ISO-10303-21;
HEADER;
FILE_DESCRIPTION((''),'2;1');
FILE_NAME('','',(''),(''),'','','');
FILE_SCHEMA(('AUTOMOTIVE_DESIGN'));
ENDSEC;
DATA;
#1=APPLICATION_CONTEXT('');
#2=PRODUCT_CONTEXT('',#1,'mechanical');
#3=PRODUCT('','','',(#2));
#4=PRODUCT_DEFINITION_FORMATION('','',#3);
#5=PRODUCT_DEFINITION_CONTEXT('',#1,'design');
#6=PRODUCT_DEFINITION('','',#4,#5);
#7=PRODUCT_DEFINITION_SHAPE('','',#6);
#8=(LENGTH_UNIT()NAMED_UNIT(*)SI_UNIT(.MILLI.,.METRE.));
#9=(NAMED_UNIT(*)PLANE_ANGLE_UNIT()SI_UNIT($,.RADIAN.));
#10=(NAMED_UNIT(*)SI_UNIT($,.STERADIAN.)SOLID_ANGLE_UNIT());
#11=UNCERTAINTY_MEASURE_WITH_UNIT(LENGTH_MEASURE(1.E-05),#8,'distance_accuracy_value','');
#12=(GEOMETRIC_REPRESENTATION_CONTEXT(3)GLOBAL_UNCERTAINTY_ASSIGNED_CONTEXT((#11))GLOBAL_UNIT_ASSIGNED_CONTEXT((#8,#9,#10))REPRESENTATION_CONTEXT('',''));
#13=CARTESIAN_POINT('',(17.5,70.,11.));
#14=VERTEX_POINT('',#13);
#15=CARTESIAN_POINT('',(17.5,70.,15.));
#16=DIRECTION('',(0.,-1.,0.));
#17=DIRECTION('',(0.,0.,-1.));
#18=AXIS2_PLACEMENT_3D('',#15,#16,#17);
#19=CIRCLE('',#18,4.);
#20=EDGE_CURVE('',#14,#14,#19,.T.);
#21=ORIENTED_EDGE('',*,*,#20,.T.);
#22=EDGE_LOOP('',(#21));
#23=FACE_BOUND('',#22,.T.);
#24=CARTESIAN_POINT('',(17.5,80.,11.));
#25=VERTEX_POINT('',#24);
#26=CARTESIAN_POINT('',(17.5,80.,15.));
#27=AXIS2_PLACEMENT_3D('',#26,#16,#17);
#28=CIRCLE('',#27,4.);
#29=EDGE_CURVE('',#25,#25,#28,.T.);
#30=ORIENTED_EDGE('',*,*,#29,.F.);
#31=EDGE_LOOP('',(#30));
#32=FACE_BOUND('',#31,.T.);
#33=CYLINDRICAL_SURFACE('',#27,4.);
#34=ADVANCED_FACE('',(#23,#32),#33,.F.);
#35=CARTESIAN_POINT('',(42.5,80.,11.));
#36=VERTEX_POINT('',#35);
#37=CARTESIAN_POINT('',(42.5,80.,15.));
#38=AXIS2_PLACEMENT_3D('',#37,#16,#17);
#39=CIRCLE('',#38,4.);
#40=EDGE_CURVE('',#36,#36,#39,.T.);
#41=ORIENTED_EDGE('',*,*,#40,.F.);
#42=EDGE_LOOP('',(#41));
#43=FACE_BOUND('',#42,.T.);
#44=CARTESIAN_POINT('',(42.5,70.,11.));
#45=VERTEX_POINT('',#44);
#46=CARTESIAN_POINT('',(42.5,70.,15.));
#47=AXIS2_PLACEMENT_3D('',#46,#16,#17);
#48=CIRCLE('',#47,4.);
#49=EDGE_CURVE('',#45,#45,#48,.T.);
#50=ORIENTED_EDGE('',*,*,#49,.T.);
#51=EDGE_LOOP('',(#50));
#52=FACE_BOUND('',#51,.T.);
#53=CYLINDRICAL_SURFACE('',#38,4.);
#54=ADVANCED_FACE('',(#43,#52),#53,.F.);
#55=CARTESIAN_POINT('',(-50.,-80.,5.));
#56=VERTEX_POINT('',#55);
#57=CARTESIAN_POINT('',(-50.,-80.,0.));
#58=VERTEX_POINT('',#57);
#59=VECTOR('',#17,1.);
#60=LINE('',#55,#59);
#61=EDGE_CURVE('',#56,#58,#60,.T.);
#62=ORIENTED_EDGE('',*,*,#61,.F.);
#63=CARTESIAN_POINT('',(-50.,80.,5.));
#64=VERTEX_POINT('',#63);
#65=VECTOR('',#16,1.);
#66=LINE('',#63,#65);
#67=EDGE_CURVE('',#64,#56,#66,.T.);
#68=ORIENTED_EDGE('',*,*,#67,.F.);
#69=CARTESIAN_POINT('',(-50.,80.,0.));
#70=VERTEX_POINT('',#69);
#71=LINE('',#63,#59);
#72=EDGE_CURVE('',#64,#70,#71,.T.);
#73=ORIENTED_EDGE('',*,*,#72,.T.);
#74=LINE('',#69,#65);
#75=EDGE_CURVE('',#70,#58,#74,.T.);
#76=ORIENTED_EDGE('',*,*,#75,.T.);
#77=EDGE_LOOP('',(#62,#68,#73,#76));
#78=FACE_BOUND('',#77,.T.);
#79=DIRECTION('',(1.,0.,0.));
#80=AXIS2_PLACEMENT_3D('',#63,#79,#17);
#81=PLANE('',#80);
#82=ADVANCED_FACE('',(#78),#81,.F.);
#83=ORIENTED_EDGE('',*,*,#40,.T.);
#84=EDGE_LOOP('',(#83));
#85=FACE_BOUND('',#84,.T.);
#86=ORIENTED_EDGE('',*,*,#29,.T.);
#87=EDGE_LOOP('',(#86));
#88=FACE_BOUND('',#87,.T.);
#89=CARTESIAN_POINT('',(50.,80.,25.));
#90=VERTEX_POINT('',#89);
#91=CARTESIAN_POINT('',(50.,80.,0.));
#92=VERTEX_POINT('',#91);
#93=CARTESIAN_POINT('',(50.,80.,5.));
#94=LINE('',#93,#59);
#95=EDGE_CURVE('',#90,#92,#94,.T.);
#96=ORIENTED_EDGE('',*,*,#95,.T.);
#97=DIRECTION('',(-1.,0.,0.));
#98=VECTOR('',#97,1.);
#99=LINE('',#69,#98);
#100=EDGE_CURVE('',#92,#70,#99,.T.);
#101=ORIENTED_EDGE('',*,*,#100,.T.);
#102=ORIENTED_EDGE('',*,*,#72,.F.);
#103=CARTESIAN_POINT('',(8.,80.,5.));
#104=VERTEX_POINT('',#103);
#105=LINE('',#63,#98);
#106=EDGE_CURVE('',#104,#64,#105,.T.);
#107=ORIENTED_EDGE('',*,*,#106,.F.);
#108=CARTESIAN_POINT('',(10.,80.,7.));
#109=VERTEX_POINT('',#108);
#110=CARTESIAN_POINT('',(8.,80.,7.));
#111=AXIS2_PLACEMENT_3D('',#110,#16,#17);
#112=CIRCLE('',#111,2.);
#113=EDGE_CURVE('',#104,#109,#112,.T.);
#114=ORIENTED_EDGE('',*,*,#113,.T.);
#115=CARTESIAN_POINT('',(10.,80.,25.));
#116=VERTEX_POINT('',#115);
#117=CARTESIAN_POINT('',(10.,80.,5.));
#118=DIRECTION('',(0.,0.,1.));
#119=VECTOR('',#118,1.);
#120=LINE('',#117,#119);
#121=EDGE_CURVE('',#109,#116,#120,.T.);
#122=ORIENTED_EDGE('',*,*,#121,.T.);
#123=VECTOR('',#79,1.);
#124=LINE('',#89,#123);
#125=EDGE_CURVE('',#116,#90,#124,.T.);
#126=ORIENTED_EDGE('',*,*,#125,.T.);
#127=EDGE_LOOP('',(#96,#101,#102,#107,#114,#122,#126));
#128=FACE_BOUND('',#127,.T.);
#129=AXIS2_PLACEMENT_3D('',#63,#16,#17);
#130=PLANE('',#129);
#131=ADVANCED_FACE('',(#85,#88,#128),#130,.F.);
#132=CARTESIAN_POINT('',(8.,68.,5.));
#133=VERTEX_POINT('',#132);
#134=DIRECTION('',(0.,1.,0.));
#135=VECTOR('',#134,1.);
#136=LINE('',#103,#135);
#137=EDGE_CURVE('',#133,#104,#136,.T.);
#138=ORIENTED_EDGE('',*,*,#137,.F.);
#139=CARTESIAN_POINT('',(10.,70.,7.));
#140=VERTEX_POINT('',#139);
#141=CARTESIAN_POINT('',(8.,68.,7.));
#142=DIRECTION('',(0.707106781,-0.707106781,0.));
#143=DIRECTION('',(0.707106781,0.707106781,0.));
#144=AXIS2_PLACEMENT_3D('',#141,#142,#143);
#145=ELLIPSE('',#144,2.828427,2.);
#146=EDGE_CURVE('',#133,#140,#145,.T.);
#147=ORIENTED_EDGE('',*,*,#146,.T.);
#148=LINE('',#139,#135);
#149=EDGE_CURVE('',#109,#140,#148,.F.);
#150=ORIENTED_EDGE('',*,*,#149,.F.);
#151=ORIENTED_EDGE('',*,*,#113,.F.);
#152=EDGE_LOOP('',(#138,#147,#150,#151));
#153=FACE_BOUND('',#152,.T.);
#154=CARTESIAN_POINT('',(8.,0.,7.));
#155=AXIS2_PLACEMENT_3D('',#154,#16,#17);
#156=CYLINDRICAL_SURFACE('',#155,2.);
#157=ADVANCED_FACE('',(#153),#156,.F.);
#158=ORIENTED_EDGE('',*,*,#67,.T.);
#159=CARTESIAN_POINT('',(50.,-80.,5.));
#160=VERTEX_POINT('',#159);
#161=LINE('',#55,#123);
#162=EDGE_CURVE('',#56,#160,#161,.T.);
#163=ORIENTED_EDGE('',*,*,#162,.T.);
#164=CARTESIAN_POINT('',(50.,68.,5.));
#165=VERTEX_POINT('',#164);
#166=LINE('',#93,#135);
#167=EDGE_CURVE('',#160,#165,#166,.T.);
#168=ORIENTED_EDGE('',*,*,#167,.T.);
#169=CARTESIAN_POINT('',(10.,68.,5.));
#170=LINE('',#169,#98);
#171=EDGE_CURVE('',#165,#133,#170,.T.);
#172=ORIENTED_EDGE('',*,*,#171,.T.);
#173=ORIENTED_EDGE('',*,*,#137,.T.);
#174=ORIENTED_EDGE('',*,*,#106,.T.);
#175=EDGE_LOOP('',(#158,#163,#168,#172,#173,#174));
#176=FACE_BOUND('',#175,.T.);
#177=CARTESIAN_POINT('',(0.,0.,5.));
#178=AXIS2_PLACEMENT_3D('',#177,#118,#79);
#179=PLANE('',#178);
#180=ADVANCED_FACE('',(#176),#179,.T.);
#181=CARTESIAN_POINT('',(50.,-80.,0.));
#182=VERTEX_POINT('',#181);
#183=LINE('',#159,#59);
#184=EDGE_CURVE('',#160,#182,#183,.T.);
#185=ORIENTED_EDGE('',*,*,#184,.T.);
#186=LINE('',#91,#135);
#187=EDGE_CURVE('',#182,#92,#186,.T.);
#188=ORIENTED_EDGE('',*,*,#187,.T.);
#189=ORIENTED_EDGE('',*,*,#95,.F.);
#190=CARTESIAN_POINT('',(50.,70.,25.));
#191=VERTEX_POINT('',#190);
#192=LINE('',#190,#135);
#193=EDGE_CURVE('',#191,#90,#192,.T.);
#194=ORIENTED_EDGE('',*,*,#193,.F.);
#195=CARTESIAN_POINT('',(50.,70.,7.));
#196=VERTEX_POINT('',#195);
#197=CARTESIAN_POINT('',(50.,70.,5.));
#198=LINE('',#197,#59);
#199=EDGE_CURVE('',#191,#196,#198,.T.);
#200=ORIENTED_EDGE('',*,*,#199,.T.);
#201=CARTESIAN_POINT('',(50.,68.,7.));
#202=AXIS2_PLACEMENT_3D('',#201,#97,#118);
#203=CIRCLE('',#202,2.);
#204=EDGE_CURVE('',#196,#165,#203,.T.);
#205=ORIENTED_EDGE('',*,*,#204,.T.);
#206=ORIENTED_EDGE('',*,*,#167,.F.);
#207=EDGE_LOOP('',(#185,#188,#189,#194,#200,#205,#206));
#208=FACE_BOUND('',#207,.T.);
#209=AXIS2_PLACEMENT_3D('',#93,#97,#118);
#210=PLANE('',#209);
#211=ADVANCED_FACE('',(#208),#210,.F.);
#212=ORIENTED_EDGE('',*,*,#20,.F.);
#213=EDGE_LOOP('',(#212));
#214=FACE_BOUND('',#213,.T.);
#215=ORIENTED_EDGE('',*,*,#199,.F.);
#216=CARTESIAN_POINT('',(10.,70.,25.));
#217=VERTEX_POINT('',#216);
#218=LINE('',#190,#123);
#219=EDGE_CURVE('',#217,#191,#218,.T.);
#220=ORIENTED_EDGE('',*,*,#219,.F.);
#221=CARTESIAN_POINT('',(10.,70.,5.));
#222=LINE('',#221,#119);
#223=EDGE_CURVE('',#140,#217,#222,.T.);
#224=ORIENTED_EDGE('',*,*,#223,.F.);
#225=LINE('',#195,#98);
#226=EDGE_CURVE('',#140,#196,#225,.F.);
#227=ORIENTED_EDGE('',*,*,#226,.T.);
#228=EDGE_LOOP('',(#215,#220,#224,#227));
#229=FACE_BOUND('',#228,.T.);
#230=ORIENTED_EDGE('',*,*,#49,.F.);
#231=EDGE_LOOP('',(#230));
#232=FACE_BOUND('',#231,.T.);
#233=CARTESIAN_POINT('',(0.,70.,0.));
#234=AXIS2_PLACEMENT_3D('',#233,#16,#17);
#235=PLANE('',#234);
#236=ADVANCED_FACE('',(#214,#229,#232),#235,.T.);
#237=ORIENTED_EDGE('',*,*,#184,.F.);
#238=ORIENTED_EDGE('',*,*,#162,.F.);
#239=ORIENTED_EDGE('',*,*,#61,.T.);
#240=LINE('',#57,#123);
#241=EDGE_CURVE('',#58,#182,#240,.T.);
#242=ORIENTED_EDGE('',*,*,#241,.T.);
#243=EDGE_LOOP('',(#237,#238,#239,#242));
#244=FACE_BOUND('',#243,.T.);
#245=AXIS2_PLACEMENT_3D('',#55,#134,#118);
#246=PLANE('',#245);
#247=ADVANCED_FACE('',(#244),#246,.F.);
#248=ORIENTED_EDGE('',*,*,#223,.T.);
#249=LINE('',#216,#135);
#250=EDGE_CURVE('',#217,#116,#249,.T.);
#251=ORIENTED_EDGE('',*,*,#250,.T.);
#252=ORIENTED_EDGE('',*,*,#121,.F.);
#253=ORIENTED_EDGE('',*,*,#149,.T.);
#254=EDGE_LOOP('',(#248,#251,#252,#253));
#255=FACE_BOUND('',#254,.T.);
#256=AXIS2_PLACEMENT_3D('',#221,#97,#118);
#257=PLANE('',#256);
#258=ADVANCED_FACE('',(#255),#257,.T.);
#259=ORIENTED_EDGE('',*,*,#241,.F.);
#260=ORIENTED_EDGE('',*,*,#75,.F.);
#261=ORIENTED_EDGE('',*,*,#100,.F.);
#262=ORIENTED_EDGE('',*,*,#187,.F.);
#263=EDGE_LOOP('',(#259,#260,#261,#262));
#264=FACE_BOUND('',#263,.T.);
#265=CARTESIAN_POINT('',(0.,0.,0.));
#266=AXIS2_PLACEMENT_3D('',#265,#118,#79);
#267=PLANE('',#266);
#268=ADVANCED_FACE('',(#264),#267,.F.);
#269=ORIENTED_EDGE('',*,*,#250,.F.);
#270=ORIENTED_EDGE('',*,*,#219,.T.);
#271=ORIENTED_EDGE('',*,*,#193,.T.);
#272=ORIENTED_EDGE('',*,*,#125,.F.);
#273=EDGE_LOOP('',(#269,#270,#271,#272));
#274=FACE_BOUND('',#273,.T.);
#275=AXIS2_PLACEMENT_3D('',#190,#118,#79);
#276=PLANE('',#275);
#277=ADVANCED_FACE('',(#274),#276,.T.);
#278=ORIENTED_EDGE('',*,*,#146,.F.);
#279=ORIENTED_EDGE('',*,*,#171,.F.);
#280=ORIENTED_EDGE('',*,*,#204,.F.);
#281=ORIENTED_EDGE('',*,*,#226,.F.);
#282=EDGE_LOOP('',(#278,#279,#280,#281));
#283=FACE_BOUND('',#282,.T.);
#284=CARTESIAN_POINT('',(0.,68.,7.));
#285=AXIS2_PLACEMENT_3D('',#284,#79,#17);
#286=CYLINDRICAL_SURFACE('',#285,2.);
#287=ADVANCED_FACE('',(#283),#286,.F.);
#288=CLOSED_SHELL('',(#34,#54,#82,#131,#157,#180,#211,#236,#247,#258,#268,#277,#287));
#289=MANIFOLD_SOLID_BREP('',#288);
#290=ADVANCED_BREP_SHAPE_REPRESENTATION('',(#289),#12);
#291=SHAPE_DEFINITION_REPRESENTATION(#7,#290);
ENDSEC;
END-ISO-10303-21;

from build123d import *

# Parameters (mm, degrees)
SKETCH_1_W          = 100
SKETCH_1_H          = 160
EXTRUDE_1_DEPTH     = 5
SKETCH_2_W          = 40
SKETCH_2_H          = 20
EXTRUDE_2_DEPTH     = 10
SKETCH_3_R          = 4
CUT_EXTRUDE_1_DEPTH = 10
FILLET_1_R          = 2


with BuildPart() as part:
    # 草图1 → 凸台-拉伸1 (new body)
    with BuildSketch(Plane.XY):
        Rectangle(SKETCH_1_W, SKETCH_1_H)
    extrude(amount=EXTRUDE_1_DEPTH)

    # 草图2 → 凸台-拉伸2 (add)
    with BuildSketch(Plane(origin=(0, 80, 0), x_dir=(1, 0, 0), z_dir=(0, 1, 0))):
        with Locations((30, -15)):
            Rectangle(SKETCH_2_W, SKETCH_2_H)
    extrude(amount=-EXTRUDE_2_DEPTH)

    # 草图3 → 切除-拉伸1 (cut)
    with BuildSketch(Plane.XZ.offset(-70)):
        with Locations(Location((17.5, 15, 0), (0, 0, 270))):
            Circle(SKETCH_3_R)
        with Locations(Location((42.5, 15, 0), (0, 0, 270))):
            Circle(SKETCH_3_R)
    extrude(amount=-CUT_EXTRUDE_1_DEPTH, mode=Mode.SUBTRACT)

    # 圆角1
    fillet_1_edges = [part.edges().sort_by_distance(p)[0] for p in [
        (30, 70, 5),
        (10, 75, 5),
    ]]
    fillet(fillet_1_edges, radius=FILLET_1_R)


solid = part.part
